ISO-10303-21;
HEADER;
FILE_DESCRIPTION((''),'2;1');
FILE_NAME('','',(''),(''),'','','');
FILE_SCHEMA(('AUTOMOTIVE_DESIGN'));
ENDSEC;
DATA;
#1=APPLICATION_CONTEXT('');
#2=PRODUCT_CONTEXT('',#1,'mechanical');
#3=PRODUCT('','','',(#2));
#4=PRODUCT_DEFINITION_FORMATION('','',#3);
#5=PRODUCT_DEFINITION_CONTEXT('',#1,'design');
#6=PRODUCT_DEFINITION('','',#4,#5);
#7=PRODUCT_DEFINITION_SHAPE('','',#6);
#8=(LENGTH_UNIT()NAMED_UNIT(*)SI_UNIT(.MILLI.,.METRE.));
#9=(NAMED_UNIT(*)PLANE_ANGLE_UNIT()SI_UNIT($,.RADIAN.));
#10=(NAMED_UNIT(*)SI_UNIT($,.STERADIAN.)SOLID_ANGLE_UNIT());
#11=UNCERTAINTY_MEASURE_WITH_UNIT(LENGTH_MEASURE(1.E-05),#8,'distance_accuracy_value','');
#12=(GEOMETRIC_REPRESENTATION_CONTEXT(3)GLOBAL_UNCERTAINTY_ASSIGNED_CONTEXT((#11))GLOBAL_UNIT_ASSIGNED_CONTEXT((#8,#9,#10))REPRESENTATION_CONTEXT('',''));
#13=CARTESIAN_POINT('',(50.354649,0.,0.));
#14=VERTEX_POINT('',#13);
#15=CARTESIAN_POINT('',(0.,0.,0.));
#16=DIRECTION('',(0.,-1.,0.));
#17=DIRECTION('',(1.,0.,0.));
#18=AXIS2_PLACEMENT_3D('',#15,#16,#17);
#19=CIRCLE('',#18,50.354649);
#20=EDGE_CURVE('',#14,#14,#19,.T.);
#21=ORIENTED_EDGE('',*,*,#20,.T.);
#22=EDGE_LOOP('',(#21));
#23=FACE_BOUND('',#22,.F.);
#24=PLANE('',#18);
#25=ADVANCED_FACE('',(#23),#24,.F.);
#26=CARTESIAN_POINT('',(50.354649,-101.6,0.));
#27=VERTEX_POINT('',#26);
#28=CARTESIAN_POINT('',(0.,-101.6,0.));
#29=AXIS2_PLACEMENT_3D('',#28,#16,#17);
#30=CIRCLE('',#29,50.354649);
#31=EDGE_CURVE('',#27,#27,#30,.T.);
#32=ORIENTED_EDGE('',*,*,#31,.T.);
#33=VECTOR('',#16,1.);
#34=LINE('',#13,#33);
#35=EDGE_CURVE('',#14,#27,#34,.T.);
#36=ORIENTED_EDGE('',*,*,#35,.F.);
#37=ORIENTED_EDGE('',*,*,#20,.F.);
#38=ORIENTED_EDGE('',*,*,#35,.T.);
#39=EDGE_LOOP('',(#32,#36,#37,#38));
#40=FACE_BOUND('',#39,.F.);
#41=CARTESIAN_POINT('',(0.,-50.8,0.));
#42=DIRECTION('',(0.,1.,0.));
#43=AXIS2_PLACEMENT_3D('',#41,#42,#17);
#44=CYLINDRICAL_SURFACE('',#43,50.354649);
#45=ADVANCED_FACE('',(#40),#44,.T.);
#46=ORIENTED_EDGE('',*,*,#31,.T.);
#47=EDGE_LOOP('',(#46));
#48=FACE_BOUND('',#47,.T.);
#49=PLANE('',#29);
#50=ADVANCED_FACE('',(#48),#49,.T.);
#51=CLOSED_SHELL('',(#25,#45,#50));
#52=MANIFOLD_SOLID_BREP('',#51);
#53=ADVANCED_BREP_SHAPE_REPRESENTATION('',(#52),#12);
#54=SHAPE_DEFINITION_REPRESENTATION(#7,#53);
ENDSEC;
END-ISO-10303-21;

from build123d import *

# Parameters (mm, degrees)
F0_R      = 50.354649
F1_DEPTH  = 50.8
F3_DEPTH  = 25.4
F4_DEPTH  = 25.4
F1_FACE_R = 50.354649
F5_DEPTH  = 50.8


with BuildPart() as f1:
    # F0 (on Front) → F1 (new body)
    with BuildSketch(Plane.XZ):
        Circle(F0_R)
    extrude(amount=F1_DEPTH)

    # F2 (on Front) → F3 (join)
    with BuildSketch(Plane.XZ):
        Polygon((0, 0), (-25.05855, 43.402681), (-50.1171, 0), align=None)
        Polygon((25.05855, 43.402681), (-25.05855, 43.402681), (0, 0), align=None)
        Polygon((50.1171, 0), (25.05855, 43.402681), (0, 0), align=None)
        Polygon((0, 0), (-50.1171, 0), (-25.05855, -43.402681), align=None)
        Polygon((50.1171, 0), (0, 0), (25.05855, -43.402681), align=None)
        Polygon((25.05855, -43.402681), (0, 0), (-25.05855, -43.402681), align=None)
    extrude(amount=F3_DEPTH)

    # F2 (on Front) → F4 (join)
    with BuildSketch(Plane.XZ):
        Polygon((0, 0), (-25.05855, 43.402681), (-50.1171, 0), align=None)
        Polygon((25.05855, 43.402681), (-25.05855, 43.402681), (0, 0), align=None)
        Polygon((50.1171, 0), (25.05855, 43.402681), (0, 0), align=None)
        Polygon((0, 0), (-50.1171, 0), (-25.05855, -43.402681), align=None)
        Polygon((50.1171, 0), (0, 0), (25.05855, -43.402681), align=None)
        Polygon((25.05855, -43.402681), (0, 0), (-25.05855, -43.402681), align=None)
    extrude(amount=F4_DEPTH)

    # F1_face (on face) → F5 (join)
    with BuildSketch(Plane.XZ.offset(50.8)):
        Circle(F1_FACE_R)
    extrude(amount=F5_DEPTH)


solid = f1.part
